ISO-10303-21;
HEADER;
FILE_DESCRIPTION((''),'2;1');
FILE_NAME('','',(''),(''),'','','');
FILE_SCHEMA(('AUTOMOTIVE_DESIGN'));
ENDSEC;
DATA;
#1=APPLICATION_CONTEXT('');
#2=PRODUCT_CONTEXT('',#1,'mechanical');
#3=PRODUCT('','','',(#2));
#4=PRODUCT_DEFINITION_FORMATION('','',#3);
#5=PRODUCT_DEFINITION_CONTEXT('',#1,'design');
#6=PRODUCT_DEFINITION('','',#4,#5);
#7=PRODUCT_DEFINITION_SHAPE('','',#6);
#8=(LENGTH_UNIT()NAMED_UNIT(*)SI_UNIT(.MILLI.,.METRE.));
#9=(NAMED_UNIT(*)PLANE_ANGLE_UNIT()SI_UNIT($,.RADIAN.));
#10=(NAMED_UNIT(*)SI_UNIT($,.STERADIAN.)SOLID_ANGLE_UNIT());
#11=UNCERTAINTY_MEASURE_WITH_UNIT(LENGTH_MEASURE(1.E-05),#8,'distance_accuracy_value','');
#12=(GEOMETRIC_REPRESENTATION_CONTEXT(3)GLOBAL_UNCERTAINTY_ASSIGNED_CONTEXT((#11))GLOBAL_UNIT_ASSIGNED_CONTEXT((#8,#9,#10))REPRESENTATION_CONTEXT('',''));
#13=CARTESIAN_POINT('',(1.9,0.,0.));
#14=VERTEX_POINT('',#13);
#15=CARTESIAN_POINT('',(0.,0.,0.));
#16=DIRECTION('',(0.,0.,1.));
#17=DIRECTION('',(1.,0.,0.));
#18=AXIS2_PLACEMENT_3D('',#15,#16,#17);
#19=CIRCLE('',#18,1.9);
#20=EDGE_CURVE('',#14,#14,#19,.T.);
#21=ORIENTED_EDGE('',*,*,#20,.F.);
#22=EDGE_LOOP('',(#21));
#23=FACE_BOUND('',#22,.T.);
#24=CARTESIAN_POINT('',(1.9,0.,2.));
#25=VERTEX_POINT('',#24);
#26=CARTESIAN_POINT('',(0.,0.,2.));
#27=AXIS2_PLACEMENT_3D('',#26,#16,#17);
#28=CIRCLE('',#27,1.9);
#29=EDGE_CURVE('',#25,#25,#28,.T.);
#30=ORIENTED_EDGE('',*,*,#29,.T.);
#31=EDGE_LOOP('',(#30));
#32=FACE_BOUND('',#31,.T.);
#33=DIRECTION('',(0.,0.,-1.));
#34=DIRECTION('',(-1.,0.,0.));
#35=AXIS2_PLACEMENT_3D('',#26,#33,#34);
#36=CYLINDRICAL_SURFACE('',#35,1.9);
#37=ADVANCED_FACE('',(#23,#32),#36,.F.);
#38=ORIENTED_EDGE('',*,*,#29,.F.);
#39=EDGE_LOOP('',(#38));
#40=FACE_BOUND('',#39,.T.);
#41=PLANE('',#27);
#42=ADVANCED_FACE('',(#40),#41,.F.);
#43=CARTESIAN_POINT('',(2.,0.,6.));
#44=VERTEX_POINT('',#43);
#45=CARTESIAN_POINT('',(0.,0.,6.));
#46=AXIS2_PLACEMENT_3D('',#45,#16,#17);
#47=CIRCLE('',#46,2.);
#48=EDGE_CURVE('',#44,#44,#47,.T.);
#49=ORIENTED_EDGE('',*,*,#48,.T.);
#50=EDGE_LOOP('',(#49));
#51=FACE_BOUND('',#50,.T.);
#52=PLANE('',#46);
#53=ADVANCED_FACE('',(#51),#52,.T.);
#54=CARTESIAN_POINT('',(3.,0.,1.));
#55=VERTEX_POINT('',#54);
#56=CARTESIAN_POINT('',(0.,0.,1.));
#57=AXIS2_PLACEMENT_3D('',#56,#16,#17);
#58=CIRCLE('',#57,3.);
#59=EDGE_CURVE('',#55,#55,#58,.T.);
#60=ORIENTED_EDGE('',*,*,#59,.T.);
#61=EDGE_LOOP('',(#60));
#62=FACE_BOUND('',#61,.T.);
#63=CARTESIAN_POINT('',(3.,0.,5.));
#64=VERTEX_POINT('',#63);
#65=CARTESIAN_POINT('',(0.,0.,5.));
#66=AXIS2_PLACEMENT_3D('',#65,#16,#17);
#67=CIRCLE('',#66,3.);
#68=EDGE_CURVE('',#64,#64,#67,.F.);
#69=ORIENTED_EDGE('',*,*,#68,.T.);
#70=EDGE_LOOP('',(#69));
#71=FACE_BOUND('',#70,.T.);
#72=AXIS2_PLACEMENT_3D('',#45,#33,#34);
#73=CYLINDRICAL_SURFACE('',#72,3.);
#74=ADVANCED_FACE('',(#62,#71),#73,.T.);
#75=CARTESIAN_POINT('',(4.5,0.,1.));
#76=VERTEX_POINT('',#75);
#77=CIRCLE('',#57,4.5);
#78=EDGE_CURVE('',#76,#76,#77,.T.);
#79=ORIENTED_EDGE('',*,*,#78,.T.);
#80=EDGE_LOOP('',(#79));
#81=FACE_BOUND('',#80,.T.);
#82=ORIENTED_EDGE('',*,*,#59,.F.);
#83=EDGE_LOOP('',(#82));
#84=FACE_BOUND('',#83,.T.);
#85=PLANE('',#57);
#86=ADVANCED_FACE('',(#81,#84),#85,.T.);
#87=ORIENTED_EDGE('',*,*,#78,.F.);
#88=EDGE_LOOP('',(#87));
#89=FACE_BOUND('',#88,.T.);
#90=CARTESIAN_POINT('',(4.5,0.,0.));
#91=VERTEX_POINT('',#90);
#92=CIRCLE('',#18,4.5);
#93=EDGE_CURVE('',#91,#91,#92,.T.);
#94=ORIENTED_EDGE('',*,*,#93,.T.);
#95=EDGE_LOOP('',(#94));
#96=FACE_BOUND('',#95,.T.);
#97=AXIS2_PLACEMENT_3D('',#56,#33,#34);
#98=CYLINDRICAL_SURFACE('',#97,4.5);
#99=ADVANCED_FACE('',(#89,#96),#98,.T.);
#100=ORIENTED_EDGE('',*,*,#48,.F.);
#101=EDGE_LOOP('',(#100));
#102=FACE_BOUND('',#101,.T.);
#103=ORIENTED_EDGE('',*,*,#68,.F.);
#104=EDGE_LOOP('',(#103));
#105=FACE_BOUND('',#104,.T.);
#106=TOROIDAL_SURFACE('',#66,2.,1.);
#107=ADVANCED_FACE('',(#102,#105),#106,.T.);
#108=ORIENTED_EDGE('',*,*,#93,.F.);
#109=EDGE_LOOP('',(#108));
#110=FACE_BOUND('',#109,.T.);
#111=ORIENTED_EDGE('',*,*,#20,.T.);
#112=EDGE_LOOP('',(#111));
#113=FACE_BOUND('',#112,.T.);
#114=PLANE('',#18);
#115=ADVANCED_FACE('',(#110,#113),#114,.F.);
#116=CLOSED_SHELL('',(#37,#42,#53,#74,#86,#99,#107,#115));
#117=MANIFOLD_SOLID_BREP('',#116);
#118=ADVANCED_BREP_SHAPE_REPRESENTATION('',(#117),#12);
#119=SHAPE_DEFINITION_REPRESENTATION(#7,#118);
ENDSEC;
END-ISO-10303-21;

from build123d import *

# Parameters (mm, degrees)
SKETCH_1_R          = 3
EXTRUDE_1_DEPTH     = 6
SKETCH_1_4_R        = 1.9
CUT_EXTRUDE_1_DEPTH = 2
SKETCH_1_5_R        = 4.5
SKETCH_1_5_R_2      = 3
EXTRUDE_2_DEPTH     = 1
FILLET_1_R          = 1


with BuildPart() as part:
    # 草图1 → 凸台-拉伸1 (new body)
    with BuildSketch(Plane.XY):
        Circle(SKETCH_1_R)
    extrude(amount=EXTRUDE_1_DEPTH)

    # 草图1<4> → 切除-拉伸1 (cut)
    with BuildSketch(Plane.XY):
        Circle(SKETCH_1_4_R)
    extrude(amount=CUT_EXTRUDE_1_DEPTH, mode=Mode.SUBTRACT)

    # 草图1<5> → 凸台-拉伸2 (add)
    with BuildSketch(Plane.XY):
        Circle(SKETCH_1_5_R)
        Circle(SKETCH_1_5_R_2, mode=Mode.SUBTRACT)
    extrude(amount=EXTRUDE_2_DEPTH)

    # 圆角1
    fillet_1_edges = [part.edges().sort_by_distance(p)[0] for p in [
        (-3, 0, 6),
    ]]
    fillet(fillet_1_edges, radius=FILLET_1_R)


solid = part.part
